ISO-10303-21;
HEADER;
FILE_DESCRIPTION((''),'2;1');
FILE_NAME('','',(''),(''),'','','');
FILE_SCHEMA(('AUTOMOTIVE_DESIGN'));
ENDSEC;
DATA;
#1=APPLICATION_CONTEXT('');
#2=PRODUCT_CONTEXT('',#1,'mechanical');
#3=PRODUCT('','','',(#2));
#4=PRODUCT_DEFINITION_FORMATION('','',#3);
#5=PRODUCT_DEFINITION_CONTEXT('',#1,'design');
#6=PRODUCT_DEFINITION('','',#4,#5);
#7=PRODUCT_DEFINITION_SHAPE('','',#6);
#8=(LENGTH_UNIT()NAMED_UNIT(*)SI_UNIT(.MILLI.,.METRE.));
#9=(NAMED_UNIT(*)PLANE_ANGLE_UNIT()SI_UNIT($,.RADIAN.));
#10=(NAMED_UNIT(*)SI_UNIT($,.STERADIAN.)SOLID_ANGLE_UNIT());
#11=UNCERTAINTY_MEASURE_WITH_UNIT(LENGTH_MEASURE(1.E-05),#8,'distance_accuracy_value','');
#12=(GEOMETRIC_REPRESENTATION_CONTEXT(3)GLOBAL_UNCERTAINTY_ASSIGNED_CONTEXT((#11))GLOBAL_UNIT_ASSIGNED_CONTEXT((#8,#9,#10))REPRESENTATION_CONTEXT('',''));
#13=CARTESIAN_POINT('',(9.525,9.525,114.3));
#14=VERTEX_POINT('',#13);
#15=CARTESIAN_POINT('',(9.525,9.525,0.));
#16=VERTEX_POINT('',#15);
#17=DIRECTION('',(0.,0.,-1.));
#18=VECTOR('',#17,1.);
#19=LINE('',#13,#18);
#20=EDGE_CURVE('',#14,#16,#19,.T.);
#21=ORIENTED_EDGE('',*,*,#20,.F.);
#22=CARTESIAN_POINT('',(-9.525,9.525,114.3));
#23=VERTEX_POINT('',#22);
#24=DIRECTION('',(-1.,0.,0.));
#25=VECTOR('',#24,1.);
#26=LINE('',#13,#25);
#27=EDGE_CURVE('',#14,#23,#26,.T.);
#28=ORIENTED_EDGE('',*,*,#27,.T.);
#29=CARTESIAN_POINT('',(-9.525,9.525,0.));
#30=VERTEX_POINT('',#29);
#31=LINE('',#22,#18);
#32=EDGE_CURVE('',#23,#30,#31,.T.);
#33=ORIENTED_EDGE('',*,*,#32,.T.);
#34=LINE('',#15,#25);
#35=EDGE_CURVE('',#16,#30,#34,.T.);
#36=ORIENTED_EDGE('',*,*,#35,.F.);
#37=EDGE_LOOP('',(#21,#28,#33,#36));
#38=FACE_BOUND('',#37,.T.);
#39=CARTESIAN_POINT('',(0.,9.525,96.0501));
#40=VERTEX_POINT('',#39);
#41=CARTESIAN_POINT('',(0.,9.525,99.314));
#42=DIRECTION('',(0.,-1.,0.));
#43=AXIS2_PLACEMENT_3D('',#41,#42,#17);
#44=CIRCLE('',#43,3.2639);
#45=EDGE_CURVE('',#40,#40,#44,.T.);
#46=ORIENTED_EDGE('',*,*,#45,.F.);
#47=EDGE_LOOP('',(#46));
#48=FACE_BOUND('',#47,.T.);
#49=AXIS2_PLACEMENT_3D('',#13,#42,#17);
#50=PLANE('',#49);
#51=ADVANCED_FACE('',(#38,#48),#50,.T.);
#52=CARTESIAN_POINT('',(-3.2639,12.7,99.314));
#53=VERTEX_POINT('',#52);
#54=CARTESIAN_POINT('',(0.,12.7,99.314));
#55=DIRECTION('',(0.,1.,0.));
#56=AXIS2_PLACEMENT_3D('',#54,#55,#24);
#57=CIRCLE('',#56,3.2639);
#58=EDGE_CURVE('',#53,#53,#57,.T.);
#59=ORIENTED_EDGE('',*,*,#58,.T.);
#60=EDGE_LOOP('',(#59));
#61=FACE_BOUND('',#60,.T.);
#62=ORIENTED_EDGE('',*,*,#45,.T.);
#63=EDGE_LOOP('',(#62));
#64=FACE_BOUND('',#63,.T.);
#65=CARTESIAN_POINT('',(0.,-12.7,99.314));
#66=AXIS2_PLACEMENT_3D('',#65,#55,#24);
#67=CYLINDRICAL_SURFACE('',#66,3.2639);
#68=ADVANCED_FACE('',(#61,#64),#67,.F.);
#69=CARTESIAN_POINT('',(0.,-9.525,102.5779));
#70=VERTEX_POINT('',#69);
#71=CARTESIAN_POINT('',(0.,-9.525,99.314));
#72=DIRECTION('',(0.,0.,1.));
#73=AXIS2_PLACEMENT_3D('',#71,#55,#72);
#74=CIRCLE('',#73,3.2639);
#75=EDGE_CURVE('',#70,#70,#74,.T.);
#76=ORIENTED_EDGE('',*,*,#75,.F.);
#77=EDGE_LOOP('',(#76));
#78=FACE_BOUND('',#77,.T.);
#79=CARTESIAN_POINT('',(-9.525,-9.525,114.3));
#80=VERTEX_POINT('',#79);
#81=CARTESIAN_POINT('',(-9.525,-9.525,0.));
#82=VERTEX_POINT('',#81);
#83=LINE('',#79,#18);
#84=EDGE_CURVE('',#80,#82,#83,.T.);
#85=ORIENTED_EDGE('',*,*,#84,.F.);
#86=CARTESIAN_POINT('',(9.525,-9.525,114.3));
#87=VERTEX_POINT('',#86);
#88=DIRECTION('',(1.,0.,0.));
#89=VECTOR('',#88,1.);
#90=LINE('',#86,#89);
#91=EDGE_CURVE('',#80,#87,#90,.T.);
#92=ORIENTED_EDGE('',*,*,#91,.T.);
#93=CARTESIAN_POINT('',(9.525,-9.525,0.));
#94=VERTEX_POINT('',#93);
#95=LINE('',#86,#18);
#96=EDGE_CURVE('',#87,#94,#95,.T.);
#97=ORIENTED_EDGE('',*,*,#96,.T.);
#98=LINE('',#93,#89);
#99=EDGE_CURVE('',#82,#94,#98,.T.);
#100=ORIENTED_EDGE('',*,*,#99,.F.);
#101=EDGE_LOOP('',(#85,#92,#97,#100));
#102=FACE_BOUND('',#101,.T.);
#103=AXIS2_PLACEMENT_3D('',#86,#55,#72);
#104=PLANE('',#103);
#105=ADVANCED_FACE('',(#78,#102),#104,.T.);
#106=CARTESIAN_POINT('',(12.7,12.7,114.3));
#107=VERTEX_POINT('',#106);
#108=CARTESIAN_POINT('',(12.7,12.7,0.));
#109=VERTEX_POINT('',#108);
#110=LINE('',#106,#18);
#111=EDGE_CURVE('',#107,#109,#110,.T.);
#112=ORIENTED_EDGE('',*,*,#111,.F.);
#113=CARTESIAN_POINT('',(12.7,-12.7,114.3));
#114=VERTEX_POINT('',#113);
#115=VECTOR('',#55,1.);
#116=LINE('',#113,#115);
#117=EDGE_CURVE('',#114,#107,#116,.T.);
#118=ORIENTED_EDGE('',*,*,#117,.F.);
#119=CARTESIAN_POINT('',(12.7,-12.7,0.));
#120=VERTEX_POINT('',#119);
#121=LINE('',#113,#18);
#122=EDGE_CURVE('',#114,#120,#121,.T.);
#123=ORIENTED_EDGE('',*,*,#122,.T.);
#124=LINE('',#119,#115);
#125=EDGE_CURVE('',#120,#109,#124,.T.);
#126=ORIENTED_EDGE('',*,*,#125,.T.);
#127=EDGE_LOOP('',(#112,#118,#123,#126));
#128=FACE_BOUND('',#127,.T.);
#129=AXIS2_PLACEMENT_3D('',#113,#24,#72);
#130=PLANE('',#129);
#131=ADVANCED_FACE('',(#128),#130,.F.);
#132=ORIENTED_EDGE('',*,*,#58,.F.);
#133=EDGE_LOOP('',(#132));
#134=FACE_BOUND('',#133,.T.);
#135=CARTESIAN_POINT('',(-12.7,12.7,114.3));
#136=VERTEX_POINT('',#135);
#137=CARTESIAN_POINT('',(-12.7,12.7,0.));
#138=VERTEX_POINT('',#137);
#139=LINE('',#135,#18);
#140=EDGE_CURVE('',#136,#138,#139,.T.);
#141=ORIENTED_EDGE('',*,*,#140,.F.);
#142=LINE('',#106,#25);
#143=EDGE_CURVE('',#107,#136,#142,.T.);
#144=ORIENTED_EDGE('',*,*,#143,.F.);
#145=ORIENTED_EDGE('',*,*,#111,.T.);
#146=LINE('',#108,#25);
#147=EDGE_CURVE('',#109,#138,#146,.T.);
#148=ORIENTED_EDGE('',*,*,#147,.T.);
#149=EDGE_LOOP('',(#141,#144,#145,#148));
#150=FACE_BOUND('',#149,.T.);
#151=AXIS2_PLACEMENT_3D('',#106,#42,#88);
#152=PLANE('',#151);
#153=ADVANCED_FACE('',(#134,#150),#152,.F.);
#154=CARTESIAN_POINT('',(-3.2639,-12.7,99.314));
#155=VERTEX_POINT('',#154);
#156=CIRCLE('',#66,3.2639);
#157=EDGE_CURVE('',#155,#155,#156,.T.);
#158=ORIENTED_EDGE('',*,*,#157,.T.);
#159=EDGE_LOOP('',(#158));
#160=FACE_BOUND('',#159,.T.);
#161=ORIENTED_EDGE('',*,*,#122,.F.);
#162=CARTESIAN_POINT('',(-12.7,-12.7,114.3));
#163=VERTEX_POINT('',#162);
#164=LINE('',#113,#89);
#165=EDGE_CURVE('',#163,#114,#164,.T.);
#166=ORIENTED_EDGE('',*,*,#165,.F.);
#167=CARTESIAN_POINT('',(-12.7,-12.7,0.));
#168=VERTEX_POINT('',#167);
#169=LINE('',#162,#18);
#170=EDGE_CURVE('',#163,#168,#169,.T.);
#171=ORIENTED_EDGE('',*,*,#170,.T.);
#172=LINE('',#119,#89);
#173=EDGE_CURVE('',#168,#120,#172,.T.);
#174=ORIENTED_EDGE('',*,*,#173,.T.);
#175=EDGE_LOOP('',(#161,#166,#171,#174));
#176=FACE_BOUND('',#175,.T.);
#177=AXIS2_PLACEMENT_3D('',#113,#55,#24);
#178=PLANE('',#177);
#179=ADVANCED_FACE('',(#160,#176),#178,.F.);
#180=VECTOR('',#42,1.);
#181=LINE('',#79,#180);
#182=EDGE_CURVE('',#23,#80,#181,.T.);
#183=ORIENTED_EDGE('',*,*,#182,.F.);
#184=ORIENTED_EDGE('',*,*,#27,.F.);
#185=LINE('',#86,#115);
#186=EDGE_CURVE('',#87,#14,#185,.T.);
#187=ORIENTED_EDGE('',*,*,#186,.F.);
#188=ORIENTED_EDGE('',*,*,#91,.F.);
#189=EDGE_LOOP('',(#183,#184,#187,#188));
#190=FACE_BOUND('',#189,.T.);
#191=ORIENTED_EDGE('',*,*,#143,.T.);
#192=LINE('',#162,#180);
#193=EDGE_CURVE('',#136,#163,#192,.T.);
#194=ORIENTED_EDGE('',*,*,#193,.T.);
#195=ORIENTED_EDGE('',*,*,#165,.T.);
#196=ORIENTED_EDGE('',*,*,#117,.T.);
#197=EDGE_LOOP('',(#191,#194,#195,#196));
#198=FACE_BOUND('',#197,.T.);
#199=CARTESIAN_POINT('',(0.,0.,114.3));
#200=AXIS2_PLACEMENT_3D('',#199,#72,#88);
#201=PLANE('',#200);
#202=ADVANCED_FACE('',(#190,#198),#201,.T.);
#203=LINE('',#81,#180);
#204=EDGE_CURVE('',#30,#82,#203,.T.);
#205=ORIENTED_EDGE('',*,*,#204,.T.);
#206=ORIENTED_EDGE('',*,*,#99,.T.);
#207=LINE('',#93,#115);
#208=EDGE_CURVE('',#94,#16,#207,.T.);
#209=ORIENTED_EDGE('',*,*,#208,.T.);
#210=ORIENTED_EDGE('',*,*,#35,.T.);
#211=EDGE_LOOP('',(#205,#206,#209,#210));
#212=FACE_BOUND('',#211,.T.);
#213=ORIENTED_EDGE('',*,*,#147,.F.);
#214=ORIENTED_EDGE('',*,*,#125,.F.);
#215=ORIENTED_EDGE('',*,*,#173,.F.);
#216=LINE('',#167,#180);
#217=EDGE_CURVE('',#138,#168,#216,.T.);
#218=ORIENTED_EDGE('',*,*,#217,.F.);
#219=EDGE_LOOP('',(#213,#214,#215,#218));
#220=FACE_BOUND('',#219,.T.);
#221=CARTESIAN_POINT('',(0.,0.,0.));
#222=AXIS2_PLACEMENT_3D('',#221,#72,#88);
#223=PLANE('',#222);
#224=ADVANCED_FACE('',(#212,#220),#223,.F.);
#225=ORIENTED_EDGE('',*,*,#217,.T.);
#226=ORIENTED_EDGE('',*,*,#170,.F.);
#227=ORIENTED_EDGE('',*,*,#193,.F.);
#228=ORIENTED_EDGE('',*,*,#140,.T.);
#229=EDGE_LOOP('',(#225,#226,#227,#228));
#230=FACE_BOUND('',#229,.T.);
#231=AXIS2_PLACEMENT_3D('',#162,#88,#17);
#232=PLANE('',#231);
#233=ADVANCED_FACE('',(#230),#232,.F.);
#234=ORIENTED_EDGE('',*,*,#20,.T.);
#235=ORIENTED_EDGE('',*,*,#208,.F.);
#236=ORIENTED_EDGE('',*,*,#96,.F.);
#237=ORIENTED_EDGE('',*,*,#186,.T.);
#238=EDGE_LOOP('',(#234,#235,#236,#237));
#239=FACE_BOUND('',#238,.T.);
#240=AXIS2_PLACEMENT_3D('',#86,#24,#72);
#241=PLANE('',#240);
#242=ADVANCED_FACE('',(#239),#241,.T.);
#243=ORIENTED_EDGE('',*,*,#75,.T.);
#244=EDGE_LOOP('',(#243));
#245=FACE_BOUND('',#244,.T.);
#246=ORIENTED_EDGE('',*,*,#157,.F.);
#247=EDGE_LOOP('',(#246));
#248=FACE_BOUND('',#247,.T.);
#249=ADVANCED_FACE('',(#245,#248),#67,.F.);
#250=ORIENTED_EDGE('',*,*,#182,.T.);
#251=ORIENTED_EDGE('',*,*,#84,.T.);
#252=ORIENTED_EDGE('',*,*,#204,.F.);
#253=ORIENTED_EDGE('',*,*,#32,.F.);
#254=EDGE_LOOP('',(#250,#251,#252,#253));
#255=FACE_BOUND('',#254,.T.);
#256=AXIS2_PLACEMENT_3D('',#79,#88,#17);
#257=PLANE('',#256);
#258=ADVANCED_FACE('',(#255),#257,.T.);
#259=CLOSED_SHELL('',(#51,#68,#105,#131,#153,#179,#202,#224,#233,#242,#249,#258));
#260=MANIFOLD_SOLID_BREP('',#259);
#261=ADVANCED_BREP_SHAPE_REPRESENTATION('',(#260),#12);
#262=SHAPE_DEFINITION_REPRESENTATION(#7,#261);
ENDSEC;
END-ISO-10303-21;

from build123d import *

# Parameters (mm, degrees)
SKETCH1_W           = 25.4
SKETCH1_H           = 25.4
BOSS_EXTRUDE1_DEPTH = 114.3
SKETCH2_W           = 19.05
SKETCH2_H           = 19.05
CUT_EXTRUDE1_DEPTH  = 116.702506455
SKETCH3_R           = 3.2639
CUT_EXTRUDE2_DEPTH  = 118.774954893


with BuildPart() as part:
    # Sketch1 → Boss-Extrude1 (new body)
    with BuildSketch(Plane.XY):
        Rectangle(SKETCH1_W, SKETCH1_H)
    extrude(amount=BOSS_EXTRUDE1_DEPTH)

    # Sketch2 → Cut-Extrude1 (cut, through all)
    with BuildSketch(Plane.XY):
        Rectangle(SKETCH2_W, SKETCH2_H)
    extrude(amount=CUT_EXTRUDE1_DEPTH, mode=Mode.SUBTRACT)

    # Sketch3 → Cut-Extrude2 (cut, through all)
    with BuildSketch(Plane(origin=(0, 12.7, 0), x_dir=(1, 0, 0), z_dir=(0, 1, 0))):
        with Locations(Location((0, -99.314, 0), (0, 0, 180))):
            Circle(SKETCH3_R)
    extrude(amount=-CUT_EXTRUDE2_DEPTH, mode=Mode.SUBTRACT)


solid = part.part
